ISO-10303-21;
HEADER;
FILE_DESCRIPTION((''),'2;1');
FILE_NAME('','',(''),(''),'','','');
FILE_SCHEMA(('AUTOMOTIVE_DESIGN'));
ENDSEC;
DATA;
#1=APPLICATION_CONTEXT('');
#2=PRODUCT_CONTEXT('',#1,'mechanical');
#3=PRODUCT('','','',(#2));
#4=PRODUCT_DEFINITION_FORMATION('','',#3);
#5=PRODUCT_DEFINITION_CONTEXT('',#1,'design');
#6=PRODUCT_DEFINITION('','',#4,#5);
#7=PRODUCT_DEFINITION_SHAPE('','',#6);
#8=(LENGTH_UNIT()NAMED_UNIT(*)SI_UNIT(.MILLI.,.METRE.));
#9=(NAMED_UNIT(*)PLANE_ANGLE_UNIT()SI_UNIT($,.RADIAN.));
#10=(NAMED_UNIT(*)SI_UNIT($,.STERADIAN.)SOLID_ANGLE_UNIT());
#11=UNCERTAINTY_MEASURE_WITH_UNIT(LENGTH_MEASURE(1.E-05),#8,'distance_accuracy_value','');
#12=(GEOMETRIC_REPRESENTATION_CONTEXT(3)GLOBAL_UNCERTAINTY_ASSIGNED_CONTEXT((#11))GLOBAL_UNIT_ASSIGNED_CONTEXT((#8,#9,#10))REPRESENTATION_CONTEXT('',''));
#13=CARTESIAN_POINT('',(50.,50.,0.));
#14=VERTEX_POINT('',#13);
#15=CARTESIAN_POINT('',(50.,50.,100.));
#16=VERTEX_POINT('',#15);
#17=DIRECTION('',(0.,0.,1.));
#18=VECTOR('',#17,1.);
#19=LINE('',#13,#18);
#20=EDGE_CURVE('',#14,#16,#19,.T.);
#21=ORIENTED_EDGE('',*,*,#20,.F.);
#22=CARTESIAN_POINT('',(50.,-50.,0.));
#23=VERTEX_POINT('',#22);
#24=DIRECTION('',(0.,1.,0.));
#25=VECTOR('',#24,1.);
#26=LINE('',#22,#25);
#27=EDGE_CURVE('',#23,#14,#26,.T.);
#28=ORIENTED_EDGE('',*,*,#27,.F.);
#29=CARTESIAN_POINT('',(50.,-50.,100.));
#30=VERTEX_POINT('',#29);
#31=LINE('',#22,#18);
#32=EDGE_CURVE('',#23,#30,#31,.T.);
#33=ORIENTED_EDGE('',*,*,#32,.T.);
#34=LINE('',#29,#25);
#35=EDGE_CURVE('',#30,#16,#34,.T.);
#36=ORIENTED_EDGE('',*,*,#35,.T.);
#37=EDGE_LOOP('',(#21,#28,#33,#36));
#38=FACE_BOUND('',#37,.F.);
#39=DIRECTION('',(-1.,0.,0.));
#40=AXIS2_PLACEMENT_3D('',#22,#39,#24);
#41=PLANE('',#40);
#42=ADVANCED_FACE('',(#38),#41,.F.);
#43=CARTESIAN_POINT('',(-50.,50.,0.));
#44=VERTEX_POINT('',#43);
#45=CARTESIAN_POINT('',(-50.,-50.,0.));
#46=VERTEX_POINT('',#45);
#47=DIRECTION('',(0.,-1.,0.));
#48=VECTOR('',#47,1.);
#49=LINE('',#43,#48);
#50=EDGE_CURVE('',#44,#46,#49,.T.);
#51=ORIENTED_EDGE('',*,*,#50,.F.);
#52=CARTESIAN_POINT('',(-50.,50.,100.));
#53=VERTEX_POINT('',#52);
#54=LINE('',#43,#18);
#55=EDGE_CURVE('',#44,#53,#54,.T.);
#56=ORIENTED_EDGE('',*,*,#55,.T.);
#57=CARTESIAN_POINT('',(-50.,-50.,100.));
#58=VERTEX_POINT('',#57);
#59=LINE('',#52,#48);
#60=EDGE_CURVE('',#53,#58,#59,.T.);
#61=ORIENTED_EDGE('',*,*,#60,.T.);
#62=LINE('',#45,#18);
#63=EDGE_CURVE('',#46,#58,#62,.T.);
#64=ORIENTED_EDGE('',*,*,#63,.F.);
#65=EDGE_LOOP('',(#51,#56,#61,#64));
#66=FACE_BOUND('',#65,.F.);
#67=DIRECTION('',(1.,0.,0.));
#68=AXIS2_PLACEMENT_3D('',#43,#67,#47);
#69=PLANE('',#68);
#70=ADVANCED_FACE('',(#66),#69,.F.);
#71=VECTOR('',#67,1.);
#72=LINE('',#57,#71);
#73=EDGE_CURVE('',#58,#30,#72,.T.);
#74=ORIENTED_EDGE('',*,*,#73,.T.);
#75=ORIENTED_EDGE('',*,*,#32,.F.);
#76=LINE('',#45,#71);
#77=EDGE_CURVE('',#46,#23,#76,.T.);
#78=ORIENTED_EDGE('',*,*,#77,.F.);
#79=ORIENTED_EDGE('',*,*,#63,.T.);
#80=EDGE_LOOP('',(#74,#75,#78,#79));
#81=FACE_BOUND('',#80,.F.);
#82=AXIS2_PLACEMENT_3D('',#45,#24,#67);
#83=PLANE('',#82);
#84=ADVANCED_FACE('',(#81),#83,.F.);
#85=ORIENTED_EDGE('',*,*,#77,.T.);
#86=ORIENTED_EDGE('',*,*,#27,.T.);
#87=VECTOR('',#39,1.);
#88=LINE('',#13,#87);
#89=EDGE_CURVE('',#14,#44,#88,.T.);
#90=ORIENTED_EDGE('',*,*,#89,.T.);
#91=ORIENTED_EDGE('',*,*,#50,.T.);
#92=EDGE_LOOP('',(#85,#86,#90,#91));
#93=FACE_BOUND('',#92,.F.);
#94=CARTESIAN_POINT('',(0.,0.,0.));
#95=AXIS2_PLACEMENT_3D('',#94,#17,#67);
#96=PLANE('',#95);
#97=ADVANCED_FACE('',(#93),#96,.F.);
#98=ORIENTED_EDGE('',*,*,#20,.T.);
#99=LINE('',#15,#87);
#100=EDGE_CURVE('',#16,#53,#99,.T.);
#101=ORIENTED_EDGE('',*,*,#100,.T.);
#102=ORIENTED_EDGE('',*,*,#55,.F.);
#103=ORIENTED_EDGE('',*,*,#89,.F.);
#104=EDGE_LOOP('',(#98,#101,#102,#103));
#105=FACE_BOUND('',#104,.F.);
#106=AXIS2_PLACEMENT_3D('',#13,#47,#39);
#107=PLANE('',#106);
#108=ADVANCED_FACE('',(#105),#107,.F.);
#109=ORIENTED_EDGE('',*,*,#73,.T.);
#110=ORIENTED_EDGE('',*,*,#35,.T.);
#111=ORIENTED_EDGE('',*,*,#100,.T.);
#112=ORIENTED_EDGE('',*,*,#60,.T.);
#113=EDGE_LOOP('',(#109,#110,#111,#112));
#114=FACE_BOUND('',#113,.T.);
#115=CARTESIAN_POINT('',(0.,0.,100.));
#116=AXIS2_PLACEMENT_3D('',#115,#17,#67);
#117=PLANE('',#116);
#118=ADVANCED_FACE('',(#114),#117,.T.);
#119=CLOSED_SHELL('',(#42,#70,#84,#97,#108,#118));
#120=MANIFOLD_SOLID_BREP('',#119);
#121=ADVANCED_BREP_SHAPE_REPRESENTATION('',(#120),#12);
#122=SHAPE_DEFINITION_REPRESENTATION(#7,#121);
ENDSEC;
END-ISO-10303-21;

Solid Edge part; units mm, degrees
sketch "Sketch1" plane through (0, 0, 0) normal (0, 0, 1) x (1, 0, 0)
  line L0 (-50, -50) -> (50, -50)
  line L1 (50, -50) -> (50, 50)
  line L2 (50, 50) -> (-50, 50)
  line L3 (-50, 50) -> (-50, -50)
extrude "Protrusion1" add sketch "Sketch1" along normal blind 100
